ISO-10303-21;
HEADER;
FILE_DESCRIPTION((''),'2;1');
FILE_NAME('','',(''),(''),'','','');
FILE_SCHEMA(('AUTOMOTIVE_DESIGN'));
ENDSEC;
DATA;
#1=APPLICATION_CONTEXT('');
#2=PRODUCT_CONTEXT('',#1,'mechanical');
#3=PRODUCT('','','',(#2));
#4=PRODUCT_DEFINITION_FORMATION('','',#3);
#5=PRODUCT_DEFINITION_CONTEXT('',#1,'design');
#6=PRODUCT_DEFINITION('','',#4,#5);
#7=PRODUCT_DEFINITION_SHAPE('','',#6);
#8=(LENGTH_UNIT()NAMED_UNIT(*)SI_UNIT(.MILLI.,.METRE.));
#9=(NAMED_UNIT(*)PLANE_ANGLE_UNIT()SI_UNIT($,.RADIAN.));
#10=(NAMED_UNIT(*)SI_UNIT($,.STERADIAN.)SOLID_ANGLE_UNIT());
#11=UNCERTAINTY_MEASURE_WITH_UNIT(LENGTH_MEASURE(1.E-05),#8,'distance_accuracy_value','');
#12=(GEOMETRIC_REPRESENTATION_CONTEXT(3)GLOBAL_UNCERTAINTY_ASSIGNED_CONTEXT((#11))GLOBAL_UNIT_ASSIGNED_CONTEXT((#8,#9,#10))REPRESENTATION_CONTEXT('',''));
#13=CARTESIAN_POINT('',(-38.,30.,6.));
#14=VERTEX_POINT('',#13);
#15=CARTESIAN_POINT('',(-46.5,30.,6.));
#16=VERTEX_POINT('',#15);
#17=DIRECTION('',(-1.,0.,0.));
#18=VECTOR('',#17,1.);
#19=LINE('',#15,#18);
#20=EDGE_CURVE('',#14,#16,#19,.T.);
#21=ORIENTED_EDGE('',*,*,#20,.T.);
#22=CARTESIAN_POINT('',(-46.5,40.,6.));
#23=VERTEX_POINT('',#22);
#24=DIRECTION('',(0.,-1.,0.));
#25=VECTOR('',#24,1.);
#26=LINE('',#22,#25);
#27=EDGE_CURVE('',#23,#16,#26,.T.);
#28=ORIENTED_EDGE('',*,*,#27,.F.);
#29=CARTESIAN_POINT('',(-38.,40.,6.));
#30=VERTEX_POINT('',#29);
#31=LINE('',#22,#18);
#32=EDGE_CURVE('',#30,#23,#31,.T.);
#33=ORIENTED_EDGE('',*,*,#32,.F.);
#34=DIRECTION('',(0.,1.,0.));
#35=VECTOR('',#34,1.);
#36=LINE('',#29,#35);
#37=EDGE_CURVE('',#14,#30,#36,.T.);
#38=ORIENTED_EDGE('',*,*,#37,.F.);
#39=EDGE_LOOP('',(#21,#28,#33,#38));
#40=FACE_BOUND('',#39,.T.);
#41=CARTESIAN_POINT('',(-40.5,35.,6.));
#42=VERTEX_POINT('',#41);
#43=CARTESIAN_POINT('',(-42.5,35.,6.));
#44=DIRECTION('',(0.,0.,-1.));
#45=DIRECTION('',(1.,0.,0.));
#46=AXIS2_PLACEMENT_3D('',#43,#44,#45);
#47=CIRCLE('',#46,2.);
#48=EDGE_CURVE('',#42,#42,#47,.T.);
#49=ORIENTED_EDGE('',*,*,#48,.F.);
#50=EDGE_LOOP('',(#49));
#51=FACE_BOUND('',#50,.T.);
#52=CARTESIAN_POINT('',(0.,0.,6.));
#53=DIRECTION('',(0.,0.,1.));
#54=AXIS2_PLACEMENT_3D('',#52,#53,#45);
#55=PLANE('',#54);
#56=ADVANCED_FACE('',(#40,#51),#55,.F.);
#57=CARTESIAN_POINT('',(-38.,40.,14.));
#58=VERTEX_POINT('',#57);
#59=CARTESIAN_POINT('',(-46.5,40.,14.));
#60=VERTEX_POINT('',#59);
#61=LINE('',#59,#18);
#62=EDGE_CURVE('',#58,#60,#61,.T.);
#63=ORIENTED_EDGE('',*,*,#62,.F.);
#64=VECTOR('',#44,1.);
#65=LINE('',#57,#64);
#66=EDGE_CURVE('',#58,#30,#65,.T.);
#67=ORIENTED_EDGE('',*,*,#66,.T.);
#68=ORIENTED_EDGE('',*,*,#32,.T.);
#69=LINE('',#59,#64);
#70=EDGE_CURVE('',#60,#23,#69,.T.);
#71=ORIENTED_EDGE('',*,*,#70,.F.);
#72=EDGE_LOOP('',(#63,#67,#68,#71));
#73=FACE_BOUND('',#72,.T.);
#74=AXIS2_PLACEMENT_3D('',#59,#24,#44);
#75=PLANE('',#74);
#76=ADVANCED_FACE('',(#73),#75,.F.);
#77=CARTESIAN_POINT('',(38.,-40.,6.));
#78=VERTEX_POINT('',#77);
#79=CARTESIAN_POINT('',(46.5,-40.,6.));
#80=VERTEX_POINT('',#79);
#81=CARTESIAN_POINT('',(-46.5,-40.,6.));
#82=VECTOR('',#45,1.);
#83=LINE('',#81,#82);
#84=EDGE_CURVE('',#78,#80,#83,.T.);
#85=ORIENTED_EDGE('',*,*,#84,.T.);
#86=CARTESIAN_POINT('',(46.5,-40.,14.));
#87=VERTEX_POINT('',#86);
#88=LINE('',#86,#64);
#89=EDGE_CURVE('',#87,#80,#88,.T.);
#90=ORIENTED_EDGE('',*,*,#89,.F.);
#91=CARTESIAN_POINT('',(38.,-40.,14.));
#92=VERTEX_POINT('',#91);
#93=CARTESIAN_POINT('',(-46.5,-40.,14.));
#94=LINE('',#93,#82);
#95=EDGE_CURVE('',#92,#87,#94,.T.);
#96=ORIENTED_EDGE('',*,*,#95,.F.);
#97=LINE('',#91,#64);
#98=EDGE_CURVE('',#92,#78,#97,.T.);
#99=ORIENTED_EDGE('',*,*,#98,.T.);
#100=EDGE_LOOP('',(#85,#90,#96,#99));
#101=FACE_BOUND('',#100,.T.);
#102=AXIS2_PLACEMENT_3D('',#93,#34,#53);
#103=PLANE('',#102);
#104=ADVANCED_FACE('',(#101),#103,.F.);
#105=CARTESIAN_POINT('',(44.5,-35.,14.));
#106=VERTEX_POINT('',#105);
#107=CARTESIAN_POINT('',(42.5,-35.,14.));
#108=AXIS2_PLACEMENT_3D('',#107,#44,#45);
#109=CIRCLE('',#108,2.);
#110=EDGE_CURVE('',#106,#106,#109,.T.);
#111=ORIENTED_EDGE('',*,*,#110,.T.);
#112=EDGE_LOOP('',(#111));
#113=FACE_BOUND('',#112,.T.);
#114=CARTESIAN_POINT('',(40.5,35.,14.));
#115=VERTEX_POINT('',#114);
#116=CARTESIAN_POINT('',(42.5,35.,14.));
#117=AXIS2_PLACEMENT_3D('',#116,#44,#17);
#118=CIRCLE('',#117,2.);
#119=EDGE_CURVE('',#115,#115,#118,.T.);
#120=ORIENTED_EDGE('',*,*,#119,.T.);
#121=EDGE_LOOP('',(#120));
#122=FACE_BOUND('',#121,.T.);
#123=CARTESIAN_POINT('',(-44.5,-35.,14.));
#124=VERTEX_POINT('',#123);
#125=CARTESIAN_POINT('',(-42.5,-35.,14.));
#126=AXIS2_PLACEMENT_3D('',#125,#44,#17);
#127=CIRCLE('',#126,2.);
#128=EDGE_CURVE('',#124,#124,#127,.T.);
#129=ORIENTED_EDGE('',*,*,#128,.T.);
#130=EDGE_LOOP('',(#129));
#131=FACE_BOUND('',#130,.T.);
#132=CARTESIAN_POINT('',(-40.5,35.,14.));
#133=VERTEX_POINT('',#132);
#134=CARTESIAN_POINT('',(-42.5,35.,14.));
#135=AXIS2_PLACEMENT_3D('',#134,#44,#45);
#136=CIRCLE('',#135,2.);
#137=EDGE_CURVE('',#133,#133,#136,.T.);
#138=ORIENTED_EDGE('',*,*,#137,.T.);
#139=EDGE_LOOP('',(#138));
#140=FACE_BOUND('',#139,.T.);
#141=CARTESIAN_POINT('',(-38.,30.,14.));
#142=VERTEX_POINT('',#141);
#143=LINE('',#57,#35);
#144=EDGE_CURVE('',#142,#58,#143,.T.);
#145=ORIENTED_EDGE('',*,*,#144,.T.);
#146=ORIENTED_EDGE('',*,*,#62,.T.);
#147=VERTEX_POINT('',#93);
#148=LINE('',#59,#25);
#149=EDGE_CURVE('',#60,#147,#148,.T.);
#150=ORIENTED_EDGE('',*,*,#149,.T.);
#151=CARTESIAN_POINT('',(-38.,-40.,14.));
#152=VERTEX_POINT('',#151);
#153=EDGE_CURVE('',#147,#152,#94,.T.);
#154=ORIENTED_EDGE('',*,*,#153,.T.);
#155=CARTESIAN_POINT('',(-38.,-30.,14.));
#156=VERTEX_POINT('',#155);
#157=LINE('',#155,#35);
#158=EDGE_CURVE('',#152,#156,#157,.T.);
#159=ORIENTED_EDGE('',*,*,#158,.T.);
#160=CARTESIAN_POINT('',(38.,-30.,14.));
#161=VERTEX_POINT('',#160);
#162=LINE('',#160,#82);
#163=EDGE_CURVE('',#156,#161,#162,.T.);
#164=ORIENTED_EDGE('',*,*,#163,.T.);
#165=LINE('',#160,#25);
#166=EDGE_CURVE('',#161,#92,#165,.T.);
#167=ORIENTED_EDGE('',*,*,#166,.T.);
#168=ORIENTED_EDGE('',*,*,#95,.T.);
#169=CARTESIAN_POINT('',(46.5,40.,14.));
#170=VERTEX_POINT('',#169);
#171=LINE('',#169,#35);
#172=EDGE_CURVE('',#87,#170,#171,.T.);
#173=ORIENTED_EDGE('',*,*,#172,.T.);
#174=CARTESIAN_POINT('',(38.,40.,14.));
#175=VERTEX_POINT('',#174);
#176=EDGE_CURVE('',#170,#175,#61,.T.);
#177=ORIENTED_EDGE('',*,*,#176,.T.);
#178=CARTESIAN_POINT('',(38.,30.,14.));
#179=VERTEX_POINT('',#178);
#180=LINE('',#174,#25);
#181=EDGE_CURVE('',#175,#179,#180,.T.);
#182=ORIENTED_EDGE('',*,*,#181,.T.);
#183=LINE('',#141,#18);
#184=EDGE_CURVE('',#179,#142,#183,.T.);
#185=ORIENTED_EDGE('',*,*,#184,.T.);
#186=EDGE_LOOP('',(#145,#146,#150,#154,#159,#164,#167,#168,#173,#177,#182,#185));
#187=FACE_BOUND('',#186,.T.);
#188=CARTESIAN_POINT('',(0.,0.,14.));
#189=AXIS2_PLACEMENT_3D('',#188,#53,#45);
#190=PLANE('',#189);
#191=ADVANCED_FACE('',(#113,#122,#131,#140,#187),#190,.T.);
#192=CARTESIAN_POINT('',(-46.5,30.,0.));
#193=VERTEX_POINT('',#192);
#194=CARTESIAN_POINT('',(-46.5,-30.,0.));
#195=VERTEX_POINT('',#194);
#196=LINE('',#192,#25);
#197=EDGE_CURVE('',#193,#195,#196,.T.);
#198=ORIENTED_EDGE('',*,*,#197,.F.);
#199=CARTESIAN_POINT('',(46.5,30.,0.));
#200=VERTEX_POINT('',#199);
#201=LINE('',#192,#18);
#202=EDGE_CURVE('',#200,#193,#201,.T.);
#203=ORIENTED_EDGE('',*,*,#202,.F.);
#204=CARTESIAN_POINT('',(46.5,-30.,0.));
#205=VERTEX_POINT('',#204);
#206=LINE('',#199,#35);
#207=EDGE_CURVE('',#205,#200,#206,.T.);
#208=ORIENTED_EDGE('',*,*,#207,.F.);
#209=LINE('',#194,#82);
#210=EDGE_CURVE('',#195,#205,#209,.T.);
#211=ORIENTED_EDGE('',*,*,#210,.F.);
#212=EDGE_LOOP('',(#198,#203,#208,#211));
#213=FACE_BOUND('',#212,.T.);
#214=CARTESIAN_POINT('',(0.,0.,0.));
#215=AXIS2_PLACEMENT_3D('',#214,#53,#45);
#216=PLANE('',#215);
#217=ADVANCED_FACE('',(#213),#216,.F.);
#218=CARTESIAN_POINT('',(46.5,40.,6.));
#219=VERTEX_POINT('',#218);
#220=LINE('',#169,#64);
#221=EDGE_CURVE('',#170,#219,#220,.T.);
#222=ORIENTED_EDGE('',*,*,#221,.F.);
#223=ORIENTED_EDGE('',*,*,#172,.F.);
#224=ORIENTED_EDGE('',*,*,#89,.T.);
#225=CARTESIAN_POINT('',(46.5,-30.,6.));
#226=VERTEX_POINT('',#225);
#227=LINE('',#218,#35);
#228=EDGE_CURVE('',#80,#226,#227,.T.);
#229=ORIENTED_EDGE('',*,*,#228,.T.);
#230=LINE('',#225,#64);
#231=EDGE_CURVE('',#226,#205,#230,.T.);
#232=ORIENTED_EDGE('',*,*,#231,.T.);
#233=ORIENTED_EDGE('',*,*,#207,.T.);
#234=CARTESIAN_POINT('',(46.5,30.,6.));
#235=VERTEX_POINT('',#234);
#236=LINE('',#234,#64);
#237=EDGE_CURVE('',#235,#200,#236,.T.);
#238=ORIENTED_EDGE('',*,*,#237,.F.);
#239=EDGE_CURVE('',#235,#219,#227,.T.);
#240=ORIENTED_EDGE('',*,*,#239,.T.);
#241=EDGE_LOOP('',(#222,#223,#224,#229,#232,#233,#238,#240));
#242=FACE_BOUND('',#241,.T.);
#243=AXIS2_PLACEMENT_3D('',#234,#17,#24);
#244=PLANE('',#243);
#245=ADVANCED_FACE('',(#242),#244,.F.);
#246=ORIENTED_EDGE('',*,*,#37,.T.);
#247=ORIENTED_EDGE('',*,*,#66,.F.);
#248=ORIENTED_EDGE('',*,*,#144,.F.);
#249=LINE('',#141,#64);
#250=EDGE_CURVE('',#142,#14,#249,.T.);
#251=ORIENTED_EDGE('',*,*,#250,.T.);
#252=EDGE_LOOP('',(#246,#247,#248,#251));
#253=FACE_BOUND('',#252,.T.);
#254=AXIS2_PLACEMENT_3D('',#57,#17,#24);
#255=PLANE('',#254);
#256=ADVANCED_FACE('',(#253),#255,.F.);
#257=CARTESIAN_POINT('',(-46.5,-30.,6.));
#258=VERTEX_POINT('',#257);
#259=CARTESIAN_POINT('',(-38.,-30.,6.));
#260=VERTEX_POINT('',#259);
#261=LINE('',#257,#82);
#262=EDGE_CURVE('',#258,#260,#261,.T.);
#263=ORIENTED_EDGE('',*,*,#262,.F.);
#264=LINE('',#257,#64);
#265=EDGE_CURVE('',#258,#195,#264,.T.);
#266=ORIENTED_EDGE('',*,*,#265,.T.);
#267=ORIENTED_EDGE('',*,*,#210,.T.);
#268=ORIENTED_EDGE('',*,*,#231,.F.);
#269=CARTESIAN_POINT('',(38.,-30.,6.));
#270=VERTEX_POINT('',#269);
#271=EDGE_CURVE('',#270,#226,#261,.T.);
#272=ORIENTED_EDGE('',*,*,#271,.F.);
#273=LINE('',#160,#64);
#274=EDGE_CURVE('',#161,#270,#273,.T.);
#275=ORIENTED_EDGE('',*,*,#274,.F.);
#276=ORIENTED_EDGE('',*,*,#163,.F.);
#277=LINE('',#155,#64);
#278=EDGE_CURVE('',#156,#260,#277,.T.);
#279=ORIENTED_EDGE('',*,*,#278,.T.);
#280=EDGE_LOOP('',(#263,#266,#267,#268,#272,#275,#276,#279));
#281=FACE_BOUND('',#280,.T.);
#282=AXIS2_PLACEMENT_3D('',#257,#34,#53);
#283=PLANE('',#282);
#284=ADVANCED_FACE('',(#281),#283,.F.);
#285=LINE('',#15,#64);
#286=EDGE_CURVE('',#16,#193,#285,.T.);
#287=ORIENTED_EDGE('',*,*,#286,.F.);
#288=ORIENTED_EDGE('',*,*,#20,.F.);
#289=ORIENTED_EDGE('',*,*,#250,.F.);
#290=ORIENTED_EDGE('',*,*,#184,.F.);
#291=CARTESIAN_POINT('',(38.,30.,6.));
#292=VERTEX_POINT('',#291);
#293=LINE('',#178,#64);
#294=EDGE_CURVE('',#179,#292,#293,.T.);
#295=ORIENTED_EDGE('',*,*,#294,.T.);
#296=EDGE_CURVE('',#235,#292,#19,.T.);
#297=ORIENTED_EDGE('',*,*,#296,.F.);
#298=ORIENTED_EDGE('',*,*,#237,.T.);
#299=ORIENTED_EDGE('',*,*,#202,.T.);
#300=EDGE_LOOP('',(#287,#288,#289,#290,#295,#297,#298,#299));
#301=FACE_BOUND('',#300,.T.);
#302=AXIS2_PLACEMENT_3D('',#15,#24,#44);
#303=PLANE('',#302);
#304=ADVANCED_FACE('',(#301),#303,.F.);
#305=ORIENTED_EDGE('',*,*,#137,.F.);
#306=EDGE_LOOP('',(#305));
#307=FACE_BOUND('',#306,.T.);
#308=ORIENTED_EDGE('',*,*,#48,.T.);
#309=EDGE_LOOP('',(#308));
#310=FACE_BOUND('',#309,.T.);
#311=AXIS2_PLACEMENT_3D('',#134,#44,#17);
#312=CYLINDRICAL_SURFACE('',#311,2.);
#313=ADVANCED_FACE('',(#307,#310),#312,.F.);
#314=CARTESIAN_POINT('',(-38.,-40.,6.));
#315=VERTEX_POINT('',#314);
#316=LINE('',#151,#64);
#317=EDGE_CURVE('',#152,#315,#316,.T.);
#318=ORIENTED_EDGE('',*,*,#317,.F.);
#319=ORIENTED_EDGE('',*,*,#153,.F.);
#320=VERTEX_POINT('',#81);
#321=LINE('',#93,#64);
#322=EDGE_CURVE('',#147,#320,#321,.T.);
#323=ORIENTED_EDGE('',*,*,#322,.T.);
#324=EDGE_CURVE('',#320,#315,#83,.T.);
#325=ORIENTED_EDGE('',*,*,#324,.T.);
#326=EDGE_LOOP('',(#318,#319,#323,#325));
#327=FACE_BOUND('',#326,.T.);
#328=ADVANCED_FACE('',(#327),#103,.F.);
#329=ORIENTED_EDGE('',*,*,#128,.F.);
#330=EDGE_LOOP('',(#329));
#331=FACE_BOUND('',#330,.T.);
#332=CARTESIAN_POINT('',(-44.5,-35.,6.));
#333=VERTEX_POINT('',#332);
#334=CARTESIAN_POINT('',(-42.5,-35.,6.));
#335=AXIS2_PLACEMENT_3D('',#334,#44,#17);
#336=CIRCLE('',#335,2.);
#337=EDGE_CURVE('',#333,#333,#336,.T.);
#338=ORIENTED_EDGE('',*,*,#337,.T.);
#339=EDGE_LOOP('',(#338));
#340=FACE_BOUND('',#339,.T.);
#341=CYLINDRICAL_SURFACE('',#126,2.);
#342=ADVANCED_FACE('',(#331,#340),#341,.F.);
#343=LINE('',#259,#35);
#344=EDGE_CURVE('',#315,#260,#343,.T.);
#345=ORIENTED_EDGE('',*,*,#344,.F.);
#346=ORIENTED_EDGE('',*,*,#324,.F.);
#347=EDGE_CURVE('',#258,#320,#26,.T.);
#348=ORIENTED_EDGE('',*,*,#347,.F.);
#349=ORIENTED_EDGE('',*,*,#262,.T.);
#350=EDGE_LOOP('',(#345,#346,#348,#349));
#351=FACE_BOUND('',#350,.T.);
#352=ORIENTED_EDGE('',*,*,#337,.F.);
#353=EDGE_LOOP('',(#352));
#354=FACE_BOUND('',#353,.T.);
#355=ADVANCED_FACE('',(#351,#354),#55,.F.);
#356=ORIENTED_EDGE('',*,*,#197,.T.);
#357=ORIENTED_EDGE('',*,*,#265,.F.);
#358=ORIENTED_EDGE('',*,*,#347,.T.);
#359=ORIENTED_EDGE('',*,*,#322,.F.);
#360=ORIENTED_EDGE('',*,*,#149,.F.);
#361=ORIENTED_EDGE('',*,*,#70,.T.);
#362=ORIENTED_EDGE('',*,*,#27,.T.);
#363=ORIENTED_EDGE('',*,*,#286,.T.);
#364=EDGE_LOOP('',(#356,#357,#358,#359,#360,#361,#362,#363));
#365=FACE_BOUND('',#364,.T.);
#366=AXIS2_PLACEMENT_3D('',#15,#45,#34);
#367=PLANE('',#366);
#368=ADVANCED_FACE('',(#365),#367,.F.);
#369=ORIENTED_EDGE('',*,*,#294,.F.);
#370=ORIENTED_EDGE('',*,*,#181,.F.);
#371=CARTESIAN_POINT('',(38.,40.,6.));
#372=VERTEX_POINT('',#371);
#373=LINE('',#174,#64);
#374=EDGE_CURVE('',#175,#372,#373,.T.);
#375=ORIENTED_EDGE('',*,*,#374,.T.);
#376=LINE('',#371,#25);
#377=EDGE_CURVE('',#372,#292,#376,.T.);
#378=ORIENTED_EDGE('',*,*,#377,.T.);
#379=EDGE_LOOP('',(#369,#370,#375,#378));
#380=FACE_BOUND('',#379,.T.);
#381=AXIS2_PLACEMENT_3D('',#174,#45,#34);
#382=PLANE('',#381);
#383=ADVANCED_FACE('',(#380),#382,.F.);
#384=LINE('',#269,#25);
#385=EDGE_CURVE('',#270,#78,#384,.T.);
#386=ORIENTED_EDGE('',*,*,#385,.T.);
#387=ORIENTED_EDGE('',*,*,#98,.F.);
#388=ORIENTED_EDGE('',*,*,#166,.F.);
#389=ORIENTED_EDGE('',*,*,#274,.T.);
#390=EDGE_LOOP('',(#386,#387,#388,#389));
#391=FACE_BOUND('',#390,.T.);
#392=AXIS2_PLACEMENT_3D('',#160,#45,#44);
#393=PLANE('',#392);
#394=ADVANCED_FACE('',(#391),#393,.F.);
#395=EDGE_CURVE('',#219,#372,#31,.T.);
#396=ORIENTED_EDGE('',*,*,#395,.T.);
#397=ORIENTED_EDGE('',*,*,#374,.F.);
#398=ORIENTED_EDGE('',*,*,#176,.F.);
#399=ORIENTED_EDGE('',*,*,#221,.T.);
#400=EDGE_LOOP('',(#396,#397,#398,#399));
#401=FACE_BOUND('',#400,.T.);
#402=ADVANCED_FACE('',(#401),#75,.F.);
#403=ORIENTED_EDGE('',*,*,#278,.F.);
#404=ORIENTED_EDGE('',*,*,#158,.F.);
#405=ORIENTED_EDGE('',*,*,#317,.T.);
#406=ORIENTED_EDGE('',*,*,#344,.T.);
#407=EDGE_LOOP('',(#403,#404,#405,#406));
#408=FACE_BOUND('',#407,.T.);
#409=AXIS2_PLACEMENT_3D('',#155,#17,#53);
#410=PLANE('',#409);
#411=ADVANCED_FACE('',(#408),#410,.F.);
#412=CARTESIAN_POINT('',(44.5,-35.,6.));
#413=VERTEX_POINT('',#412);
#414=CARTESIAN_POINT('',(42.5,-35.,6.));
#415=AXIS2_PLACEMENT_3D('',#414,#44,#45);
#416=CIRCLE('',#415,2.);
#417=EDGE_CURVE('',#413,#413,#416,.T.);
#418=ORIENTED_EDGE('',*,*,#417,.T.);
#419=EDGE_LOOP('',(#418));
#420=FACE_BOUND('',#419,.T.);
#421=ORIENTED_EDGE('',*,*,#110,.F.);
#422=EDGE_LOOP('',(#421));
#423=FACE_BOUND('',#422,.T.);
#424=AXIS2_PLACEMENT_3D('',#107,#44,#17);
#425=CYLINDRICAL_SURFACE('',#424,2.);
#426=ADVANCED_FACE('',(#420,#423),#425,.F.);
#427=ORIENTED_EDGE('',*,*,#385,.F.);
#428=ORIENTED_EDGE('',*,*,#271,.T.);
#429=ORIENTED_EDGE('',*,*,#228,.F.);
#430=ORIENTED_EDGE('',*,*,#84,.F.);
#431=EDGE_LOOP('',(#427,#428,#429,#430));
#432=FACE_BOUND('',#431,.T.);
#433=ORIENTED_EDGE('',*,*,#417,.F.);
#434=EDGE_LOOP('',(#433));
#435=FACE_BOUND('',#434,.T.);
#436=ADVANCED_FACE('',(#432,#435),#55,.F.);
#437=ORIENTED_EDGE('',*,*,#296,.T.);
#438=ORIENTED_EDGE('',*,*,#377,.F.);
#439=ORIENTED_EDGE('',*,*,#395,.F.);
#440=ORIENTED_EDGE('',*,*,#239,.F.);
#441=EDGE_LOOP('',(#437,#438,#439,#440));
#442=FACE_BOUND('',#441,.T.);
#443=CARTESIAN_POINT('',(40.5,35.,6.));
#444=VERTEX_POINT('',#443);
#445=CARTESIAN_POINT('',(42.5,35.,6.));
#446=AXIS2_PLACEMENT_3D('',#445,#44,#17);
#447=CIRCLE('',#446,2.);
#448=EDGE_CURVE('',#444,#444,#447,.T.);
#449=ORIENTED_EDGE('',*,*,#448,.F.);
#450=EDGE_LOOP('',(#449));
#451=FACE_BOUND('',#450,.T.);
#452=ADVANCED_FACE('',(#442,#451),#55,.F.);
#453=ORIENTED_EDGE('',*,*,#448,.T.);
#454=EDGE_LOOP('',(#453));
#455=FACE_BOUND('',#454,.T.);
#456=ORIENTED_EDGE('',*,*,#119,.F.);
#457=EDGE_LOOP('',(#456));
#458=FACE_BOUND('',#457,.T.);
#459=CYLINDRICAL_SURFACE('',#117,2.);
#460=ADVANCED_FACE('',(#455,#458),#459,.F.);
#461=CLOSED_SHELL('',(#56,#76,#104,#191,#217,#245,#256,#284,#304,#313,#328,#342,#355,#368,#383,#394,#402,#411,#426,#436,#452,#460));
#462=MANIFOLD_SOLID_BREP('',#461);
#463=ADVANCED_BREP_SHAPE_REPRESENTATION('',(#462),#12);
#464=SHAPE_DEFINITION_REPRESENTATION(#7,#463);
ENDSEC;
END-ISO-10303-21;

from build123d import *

# Parameters (mm, degrees)
SKETCH_3_W          = 93
SKETCH_3_H          = 60
EXTRUDE_1_DEPTH     = 6
SKETCH_6_W          = 93
SKETCH_6_H          = 80
EXTRUDE_3_DEPTH     = 8
SKETCH_7_W          = 76
SKETCH_7_H          = 10
CUT_EXTRUDE_1_DEPTH = 8
SKETCH_8_R          = 2
CUT_EXTRUDE_2_DEPTH = 8


with BuildPart() as part:
    # 草图3 → 凸台-拉伸1 (new body)
    with BuildSketch(Plane.XY):
        Rectangle(SKETCH_3_W, SKETCH_3_H)
    extrude(amount=EXTRUDE_1_DEPTH)

    # 草图6 → 凸台-拉伸3 (add)
    with BuildSketch(Plane.XY.offset(6)):
        Rectangle(SKETCH_6_W, SKETCH_6_H)
    extrude(amount=EXTRUDE_3_DEPTH)

    # 草图7 → 切除-拉伸1 (cut)
    with BuildSketch(Plane(origin=(0, 0, 6), x_dir=(-1, 0, 0), z_dir=(0, 0, -1))):
        with Locations((0, 35)):
            Rectangle(SKETCH_7_W, SKETCH_7_H)
        with Locations((0, -35)):
            Rectangle(SKETCH_7_W, SKETCH_7_H)
    extrude(amount=-CUT_EXTRUDE_1_DEPTH, mode=Mode.SUBTRACT)

    # 草图8 → 切除-拉伸2 (cut)
    with BuildSketch(Plane(origin=(0, 0, 6), x_dir=(-1, 0, 0), z_dir=(0, 0, -1))):
        with Locations((-42.5, 35)):
            Circle(SKETCH_8_R)
        with Locations(Location((42.5, 35, 0), (0, 0, 180))):
            Circle(SKETCH_8_R)
        with Locations((42.5, -35)):
            Circle(SKETCH_8_R)
        with Locations(Location((-42.5, -35, 0), (0, 0, 180))):
            Circle(SKETCH_8_R)
    extrude(amount=-CUT_EXTRUDE_2_DEPTH, mode=Mode.SUBTRACT)


solid = part.part
